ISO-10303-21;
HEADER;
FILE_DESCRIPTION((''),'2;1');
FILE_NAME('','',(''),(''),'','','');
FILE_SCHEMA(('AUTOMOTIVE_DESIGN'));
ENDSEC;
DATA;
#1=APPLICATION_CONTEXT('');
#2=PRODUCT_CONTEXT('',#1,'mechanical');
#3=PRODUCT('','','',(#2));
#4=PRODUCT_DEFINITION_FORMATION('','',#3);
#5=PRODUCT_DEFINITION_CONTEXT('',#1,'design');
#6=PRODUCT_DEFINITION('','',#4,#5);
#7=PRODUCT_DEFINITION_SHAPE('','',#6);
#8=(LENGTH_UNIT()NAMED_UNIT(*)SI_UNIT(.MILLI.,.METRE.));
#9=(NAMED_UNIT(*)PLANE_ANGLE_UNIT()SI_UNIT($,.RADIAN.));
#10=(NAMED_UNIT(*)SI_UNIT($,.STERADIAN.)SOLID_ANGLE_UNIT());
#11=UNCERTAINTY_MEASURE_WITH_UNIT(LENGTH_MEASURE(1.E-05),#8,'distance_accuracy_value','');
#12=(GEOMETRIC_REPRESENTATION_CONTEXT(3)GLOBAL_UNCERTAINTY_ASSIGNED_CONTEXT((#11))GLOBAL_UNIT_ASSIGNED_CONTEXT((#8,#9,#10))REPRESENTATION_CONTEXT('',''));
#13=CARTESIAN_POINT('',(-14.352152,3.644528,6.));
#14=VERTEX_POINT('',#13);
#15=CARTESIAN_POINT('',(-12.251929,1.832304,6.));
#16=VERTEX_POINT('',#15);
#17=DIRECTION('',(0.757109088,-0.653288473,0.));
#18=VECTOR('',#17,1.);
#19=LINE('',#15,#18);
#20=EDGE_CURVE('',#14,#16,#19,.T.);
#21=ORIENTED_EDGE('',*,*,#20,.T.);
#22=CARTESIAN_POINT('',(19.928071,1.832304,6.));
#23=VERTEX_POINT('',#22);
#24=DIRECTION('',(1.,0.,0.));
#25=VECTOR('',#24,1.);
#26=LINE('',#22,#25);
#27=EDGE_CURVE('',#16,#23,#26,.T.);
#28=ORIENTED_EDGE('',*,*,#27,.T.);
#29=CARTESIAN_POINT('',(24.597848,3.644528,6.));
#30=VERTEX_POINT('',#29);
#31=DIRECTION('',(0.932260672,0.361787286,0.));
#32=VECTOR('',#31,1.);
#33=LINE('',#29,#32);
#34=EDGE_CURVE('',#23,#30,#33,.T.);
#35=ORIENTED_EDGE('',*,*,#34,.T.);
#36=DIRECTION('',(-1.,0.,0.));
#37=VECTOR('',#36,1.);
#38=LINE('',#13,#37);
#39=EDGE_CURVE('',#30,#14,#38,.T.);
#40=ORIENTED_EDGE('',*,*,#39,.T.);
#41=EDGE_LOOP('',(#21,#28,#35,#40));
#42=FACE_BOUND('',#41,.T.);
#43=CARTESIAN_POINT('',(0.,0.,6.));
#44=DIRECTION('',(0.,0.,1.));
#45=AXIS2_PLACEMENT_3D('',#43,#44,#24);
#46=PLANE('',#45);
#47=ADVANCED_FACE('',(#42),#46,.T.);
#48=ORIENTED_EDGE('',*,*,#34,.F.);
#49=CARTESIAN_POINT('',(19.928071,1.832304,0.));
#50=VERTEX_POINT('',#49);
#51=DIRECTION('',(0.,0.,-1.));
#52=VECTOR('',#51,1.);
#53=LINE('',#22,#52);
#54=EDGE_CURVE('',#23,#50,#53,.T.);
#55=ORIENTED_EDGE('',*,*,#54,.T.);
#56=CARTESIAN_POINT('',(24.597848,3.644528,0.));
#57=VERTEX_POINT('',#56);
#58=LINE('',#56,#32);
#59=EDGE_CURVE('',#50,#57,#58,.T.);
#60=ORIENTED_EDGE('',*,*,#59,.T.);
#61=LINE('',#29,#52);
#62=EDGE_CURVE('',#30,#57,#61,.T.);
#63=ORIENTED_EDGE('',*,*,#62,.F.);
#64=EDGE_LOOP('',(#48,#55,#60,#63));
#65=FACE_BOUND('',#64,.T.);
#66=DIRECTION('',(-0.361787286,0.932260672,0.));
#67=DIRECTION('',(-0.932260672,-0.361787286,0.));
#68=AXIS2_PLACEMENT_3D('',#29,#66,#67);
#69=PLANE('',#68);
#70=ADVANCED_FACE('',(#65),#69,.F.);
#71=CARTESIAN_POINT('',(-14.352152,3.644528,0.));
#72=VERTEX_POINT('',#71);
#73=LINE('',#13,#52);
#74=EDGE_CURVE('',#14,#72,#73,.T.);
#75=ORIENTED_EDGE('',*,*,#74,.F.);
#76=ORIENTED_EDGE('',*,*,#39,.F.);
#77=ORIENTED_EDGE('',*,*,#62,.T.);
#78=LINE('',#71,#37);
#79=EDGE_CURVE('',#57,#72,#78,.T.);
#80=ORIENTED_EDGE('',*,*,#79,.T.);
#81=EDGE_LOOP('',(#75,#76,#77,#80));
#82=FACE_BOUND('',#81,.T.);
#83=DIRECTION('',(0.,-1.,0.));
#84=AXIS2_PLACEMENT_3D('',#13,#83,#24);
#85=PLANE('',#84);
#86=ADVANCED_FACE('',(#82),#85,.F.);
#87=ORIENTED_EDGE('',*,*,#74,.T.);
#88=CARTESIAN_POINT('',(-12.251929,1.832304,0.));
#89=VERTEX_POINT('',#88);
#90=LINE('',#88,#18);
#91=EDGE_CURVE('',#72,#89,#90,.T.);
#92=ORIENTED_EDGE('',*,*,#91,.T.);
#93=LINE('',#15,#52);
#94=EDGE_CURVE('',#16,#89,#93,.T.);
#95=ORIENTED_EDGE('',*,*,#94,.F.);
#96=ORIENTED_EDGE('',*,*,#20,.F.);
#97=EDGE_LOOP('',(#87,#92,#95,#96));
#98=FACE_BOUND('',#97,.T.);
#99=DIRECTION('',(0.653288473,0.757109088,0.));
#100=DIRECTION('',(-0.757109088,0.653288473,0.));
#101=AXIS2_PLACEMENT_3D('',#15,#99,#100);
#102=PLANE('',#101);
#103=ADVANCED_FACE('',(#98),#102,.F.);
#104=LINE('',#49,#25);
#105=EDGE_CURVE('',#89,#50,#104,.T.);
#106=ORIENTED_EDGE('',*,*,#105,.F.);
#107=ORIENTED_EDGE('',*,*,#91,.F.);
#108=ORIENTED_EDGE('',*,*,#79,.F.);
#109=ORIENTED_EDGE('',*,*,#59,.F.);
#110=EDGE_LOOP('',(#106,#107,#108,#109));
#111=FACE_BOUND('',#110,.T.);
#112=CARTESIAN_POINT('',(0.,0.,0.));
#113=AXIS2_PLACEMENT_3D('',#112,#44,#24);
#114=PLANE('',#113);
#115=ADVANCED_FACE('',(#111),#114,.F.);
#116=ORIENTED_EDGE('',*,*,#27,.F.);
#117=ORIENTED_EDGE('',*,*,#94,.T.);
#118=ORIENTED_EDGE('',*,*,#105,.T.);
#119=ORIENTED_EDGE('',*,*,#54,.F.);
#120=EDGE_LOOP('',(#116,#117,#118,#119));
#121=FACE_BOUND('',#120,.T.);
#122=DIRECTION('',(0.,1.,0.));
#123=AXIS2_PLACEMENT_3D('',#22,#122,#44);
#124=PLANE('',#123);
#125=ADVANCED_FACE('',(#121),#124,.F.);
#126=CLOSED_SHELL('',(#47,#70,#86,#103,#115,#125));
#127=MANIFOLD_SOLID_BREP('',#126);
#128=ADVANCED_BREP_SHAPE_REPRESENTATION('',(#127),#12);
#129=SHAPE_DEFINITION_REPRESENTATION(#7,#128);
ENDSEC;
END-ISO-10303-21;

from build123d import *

# Parameters (mm, degrees)
BOSS_EXTRU_1_DEPTH = 6


with BuildPart() as part:
    # Esquisse1 → Boss.-Extru.1 (new body)
    with BuildSketch(Plane.XY):
        Polygon((-14.352152453, 3.644528302), (24.597847547, 3.644528302), (19.928070987, 1.832303633), (-12.251929013, 1.832303633), align=None)
    extrude(amount=BOSS_EXTRU_1_DEPTH)


solid = part.part
